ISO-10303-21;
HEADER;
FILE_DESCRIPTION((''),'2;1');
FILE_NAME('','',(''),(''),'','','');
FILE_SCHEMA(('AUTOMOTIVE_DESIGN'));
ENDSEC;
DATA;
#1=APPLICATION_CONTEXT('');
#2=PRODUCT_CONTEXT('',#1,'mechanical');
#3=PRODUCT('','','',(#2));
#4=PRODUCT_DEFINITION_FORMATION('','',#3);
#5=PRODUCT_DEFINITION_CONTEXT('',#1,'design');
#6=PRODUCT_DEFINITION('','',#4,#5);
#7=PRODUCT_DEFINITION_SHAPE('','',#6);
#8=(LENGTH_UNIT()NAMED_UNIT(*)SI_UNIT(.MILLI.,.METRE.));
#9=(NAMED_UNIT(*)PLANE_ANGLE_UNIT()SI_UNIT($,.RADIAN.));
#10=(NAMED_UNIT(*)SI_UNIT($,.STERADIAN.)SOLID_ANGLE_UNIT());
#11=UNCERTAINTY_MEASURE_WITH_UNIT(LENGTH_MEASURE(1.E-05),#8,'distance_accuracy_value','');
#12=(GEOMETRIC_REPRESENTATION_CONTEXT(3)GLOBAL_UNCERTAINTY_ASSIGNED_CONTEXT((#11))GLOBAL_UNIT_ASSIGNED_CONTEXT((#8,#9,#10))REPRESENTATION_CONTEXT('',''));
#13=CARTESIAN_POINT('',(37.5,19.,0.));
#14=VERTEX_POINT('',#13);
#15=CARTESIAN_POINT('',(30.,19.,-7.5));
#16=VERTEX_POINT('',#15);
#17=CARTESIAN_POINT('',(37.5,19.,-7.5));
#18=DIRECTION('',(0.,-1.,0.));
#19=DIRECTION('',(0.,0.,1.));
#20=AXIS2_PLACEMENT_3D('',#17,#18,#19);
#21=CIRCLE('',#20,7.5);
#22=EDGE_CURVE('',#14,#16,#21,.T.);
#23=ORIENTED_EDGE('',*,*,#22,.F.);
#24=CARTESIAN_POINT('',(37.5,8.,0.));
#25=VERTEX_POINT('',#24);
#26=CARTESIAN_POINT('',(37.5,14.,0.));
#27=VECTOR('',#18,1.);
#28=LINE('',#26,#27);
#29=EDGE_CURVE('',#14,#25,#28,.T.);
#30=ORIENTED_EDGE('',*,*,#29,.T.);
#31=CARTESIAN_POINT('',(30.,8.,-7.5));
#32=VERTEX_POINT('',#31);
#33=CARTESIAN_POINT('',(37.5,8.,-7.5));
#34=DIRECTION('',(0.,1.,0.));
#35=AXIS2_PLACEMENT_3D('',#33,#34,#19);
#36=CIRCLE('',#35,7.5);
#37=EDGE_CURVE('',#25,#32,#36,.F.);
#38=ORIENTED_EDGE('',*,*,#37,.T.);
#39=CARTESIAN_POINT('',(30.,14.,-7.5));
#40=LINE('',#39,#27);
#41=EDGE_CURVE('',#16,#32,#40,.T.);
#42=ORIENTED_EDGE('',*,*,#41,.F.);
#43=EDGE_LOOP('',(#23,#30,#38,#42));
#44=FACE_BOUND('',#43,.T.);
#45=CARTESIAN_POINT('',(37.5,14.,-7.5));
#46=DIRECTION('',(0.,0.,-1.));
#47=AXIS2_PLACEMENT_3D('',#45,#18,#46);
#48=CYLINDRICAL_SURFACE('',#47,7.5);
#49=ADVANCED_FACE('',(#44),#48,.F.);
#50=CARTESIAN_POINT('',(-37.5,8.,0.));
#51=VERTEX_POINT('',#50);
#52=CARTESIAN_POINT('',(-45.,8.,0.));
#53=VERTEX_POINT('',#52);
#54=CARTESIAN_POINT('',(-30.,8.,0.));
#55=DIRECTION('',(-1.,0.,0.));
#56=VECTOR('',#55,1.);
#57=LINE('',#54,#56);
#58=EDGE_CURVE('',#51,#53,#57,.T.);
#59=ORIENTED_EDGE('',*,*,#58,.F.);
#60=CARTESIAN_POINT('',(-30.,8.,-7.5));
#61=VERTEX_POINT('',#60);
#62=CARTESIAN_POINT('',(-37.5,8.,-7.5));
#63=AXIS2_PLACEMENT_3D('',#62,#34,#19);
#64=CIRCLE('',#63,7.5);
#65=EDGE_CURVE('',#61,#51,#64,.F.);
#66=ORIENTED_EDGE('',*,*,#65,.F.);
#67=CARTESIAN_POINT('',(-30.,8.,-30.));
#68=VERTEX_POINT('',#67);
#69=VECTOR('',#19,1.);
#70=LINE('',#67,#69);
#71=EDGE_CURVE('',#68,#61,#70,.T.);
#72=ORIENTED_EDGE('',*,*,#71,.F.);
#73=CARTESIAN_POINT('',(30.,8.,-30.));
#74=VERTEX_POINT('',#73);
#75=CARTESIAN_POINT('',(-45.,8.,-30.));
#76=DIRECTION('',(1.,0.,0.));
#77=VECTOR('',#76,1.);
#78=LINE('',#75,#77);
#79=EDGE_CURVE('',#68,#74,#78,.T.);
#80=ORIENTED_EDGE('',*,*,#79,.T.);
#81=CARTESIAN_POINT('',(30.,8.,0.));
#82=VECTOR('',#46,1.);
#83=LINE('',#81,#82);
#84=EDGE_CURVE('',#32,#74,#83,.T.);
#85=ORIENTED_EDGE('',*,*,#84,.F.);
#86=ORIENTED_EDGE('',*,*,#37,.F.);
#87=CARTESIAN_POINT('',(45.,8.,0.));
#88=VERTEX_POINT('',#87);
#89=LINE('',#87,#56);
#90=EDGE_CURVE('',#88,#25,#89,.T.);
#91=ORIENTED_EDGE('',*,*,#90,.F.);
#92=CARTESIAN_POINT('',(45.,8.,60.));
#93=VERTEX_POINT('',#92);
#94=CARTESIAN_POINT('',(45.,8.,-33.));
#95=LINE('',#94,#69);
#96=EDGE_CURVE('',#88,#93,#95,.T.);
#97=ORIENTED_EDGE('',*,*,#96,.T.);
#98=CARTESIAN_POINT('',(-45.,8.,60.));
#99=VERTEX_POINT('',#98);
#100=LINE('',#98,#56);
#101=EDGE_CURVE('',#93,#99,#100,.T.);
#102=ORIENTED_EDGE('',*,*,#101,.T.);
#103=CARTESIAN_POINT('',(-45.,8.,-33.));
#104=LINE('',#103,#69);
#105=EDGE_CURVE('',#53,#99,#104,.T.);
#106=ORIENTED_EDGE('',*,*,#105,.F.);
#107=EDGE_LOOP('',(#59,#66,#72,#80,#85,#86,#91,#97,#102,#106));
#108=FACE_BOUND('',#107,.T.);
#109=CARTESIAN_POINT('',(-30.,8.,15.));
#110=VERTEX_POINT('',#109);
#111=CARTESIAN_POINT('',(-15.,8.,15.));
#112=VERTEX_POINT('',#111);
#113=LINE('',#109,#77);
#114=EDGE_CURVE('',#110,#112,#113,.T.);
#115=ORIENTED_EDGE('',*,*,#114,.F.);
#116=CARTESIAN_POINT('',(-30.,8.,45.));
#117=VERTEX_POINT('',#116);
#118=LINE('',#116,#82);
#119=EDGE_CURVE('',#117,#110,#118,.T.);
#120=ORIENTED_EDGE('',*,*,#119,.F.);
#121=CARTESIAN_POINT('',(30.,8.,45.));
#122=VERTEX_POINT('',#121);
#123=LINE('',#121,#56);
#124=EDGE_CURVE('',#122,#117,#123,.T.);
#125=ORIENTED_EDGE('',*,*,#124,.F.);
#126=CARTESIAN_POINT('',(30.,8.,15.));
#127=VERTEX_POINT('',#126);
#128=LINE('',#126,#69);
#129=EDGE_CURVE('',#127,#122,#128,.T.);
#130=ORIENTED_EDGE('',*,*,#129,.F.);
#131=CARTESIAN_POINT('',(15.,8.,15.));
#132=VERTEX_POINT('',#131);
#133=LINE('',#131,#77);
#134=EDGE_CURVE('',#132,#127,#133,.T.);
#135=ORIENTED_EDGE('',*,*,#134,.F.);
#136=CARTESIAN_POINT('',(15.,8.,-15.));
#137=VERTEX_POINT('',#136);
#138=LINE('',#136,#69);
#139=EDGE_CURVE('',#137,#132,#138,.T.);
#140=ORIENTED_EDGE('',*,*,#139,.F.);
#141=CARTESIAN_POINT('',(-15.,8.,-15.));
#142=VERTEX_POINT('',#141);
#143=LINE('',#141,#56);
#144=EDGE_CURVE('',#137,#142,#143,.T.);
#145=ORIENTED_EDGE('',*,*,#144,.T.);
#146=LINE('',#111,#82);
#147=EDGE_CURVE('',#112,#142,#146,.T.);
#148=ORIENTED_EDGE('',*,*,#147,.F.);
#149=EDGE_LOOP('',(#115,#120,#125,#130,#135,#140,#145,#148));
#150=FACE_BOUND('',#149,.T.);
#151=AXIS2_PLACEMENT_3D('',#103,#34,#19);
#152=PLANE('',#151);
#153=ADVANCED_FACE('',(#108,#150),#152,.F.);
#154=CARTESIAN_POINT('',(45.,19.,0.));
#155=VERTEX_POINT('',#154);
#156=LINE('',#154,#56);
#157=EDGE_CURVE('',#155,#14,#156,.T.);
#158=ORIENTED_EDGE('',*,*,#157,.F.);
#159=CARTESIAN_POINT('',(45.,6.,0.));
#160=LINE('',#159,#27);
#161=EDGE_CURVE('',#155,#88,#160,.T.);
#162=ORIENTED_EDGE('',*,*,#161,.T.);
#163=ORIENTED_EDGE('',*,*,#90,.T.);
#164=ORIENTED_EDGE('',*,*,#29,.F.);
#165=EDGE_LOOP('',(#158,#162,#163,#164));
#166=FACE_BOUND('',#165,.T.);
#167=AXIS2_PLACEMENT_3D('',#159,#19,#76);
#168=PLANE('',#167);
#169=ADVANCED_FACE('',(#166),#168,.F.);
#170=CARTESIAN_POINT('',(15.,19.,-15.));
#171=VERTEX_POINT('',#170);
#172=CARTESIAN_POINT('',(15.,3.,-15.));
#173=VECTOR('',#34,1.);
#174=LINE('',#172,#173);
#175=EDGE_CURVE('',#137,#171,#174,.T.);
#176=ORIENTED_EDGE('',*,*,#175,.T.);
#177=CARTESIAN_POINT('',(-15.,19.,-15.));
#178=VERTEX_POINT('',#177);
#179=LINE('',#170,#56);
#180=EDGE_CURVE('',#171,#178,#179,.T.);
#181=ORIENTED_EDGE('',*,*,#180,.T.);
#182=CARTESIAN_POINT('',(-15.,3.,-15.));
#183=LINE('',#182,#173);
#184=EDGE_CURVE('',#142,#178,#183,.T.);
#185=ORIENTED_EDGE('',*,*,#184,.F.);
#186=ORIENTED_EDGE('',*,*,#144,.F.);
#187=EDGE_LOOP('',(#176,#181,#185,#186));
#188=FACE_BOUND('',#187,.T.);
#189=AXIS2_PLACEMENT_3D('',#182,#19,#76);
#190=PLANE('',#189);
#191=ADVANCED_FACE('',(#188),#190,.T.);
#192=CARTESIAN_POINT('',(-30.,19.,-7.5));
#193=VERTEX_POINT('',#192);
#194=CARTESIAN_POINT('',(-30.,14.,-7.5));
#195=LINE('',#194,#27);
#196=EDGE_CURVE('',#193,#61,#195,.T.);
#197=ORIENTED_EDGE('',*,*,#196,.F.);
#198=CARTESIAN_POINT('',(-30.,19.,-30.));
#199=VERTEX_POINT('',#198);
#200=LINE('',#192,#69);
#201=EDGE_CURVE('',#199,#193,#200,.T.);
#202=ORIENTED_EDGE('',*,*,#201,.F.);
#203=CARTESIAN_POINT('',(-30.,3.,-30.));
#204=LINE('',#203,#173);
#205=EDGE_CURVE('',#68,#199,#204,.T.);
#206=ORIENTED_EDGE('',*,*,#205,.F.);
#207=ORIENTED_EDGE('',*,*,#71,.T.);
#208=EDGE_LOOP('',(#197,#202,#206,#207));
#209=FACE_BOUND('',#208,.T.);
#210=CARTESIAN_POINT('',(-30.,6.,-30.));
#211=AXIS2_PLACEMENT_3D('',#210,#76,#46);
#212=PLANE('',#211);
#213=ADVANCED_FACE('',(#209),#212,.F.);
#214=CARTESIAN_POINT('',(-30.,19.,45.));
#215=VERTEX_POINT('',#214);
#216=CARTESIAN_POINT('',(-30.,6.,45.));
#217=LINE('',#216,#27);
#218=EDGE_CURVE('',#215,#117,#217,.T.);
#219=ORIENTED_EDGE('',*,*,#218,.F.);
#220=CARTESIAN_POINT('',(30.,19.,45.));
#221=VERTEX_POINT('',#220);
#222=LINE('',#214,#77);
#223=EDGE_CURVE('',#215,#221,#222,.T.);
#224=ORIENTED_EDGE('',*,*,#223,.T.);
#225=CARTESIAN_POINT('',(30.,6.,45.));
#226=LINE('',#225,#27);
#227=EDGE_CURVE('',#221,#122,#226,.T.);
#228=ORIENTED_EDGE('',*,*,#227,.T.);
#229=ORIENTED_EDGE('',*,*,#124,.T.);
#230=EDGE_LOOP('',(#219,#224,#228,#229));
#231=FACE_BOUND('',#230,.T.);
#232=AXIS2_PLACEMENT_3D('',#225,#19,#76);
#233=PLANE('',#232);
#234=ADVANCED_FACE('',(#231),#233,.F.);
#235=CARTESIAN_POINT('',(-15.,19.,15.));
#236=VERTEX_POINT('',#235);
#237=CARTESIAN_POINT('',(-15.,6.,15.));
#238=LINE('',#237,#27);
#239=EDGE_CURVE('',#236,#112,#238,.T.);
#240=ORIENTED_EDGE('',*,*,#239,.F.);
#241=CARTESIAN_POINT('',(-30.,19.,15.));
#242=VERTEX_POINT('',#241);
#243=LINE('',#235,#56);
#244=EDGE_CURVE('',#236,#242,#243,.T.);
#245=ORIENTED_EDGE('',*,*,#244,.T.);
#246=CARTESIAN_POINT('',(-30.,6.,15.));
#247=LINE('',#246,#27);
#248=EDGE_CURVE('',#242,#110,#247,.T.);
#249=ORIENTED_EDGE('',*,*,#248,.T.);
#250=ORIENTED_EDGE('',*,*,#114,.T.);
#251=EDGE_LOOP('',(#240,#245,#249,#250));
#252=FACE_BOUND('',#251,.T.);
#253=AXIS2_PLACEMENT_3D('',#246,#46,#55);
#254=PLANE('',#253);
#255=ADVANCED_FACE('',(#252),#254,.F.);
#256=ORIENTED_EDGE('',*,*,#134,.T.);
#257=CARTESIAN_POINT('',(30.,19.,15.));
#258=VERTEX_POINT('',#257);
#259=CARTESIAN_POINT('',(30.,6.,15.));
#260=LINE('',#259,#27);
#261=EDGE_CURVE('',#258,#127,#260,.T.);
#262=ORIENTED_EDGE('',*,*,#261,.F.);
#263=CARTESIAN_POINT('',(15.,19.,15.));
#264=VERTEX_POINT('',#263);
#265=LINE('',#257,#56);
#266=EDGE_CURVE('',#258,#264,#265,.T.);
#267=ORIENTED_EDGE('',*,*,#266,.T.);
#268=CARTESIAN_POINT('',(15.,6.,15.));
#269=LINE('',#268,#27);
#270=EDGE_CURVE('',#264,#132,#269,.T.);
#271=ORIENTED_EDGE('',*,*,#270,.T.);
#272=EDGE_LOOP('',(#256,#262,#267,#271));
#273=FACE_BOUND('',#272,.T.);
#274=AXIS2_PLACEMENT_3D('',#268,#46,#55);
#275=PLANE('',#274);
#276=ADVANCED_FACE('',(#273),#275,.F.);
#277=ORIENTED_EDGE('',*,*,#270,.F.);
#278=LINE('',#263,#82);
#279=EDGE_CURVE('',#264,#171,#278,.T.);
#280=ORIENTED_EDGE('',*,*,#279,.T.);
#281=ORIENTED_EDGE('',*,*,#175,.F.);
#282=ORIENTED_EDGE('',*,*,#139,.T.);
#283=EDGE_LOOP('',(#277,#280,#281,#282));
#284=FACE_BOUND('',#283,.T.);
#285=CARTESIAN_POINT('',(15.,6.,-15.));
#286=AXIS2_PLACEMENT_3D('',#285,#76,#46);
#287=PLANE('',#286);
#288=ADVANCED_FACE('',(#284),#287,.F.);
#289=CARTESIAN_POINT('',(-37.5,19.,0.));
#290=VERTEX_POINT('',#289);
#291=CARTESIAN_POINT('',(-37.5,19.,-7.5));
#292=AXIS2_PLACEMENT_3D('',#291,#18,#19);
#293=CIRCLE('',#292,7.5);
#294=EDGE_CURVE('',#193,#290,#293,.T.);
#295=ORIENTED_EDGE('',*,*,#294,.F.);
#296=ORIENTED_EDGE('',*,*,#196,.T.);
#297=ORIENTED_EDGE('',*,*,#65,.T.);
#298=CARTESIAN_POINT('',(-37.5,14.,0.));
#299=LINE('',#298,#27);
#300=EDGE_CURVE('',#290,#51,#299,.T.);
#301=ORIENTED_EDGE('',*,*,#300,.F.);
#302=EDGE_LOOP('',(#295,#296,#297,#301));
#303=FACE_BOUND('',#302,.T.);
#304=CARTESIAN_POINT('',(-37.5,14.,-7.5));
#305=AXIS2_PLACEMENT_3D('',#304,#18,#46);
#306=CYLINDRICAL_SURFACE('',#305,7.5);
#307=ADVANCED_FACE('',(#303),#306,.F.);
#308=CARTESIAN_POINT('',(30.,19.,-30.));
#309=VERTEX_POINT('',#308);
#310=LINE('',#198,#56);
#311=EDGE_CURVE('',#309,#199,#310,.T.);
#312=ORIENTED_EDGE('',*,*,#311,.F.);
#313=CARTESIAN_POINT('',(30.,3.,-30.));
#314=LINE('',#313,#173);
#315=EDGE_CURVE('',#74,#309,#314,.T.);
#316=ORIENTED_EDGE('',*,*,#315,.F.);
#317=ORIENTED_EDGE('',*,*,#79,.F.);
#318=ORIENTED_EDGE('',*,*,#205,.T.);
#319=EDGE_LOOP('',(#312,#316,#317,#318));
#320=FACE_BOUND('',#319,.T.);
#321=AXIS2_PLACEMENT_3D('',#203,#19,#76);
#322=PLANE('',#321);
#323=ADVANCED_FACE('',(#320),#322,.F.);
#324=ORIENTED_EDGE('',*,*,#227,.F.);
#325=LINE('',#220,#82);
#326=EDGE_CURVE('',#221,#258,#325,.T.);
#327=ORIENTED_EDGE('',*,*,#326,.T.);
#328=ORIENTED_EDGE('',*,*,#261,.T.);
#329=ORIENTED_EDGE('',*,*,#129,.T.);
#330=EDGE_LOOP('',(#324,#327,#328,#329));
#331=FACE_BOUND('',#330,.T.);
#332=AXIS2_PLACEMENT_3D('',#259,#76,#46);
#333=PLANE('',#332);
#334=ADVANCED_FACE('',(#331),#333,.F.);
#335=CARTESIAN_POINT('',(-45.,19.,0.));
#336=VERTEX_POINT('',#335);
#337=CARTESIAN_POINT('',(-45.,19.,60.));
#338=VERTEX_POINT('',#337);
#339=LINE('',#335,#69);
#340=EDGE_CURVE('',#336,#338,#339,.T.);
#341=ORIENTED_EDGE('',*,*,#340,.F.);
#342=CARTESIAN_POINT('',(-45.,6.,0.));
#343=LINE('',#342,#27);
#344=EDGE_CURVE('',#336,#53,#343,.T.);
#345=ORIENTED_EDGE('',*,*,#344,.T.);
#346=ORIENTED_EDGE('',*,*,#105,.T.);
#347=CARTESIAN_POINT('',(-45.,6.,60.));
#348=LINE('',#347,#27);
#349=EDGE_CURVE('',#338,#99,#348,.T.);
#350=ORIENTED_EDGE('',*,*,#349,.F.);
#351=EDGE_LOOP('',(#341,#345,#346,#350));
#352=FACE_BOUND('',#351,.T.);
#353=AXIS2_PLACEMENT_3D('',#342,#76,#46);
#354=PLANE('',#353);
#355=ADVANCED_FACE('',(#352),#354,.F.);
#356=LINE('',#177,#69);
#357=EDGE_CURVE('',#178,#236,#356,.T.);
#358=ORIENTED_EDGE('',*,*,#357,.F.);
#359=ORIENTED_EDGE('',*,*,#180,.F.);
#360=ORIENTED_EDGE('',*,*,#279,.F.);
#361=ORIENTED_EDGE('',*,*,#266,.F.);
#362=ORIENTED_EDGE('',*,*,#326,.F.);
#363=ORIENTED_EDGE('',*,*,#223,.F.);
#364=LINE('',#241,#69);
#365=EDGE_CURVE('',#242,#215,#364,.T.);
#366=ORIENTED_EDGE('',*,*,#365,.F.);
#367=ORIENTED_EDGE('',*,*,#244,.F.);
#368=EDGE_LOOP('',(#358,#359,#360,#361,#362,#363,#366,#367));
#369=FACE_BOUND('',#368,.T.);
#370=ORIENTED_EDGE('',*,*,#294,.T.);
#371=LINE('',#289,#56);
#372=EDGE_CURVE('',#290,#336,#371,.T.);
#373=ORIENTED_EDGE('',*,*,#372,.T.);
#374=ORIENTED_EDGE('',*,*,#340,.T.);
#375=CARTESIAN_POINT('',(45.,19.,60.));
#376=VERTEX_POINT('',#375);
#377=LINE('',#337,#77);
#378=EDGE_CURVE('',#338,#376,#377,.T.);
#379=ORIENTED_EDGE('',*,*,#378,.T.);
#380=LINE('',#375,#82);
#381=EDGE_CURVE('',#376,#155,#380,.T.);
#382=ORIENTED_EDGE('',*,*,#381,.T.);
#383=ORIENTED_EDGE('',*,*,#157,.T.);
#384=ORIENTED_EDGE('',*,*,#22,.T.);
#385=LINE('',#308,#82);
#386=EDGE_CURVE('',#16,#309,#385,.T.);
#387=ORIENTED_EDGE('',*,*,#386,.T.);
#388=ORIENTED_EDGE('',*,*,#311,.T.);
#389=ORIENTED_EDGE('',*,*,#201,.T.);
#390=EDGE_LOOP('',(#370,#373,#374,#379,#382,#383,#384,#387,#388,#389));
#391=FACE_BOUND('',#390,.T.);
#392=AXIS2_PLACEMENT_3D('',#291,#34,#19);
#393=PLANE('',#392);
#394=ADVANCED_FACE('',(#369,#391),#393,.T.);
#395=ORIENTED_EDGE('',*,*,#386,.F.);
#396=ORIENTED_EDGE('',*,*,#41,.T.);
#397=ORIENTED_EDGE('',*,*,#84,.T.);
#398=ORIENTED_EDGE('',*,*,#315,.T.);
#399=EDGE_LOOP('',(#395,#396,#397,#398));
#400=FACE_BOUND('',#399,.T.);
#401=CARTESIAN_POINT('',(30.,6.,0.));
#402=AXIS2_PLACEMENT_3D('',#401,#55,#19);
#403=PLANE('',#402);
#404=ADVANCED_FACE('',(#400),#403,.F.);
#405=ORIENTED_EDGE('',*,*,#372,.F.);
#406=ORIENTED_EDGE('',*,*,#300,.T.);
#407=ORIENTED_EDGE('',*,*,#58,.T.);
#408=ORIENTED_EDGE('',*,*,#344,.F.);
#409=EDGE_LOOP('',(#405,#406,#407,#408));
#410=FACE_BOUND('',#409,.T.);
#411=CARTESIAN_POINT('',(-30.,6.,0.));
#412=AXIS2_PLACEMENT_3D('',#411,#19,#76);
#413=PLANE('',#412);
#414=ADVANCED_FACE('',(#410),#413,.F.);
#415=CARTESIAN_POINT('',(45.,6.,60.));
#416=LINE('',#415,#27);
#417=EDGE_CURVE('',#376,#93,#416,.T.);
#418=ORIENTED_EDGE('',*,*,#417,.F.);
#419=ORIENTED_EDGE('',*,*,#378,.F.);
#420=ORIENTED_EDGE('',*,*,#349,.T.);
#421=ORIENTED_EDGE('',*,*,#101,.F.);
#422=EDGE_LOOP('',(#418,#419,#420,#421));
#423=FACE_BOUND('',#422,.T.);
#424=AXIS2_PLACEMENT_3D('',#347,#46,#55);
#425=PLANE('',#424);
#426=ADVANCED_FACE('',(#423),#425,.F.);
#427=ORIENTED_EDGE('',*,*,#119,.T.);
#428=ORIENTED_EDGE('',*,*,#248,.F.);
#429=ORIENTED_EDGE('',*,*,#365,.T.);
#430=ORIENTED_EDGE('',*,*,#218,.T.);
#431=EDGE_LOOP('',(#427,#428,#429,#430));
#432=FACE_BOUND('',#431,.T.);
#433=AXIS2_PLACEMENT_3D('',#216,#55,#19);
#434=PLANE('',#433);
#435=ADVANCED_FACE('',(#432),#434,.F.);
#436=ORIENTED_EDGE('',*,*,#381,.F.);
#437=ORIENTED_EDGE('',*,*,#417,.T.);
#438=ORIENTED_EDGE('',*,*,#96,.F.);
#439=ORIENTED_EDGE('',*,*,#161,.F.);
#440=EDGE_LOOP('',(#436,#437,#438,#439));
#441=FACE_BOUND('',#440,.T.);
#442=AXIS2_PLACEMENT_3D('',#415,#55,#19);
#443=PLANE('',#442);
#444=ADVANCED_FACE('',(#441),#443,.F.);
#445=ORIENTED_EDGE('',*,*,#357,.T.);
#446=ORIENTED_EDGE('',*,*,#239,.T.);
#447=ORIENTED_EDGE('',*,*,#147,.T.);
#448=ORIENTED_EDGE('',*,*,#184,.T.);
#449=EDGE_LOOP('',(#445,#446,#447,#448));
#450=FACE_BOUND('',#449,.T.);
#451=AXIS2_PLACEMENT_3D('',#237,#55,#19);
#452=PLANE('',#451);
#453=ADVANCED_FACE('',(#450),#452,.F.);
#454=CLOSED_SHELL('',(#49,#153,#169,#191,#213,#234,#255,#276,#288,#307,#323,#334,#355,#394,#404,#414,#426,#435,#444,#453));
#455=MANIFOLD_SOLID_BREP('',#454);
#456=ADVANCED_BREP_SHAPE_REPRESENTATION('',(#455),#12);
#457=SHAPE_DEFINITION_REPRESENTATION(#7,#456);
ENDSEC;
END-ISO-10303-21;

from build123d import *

# Parameters (mm, degrees)
CROQUIS1_W                = 30
CROQUIS1_H                = 30
SALIENTE_EXTRUIR1_DEPTH   = 3
CROQUIS2_W                = 15
CROQUIS2_H                = 30
SALIENTE_EXTRUIR3_DEPTH   = 3
SALIENTE_EXTRUIR3_2_DEPTH = 3
CROQUIS3_W                = 30
CROQUIS3_H                = 30
SALIENTE_EXTRUIR4_DEPTH   = 3
SALIENTE_EXTRUIR5_DEPTH   = 3
CORTAR_EXTRUIR1_DEPTH     = 6
SALIENTE_EXTRUIR8_DEPTH   = 11
CROQUIS7_W                = 30
CROQUIS7_H                = 3.175
CORTAR_EXTRUIR3_DEPTH     = 18.542
CROQUIS9_W                = 60
CROQUIS9_H                = 0.175
SALIENTE_EXTRUIR9_DEPTH   = 11
CROQUIS10_W               = 90
CROQUIS10_H               = 5
CORTAR_EXTRUIR5_DEPTH     = 93
CROQUIS11_W               = 30
CROQUIS11_H               = 3.175
SALIENTE_EXTRUIR10_DEPTH  = 11
CROQUIS12_W               = 60
CROQUIS12_H               = 0.175
CORTAR_EXTRUIR6_DEPTH     = 11
CROQUIS13_W               = 30
CROQUIS13_H               = 5
CORTAR_EXTRUIR7_DEPTH     = 10
SALIENTE_EXTRUIR11_DEPTH  = 5


with BuildPart() as part:
    # Croquis1 → Saliente-Extruir1 (new body)
    with BuildSketch(Plane(origin=(0, 0, 0), x_dir=(1, 0, 0), z_dir=(0, 1, 0))):
        Rectangle(CROQUIS1_W, CROQUIS1_H)
    extrude(amount=SALIENTE_EXTRUIR1_DEPTH)



with BuildPart() as body_2:
    # Croquis2 → Saliente-Extruir3 (new body)
    with BuildSketch(Plane(origin=(0, 3, 0), x_dir=(1, 0, 0), z_dir=(0, 1, 0))):
        with Locations((-22.5, -30)):
            Rectangle(CROQUIS2_W, CROQUIS2_H)
    extrude(amount=-SALIENTE_EXTRUIR3_DEPTH)


with BuildPart() as body_3:
    # Croquis2 → Saliente-Extruir3 2 (new body)
    with BuildSketch(Plane(origin=(0, 3, 0), x_dir=(1, 0, 0), z_dir=(0, 1, 0))):
        with Locations((22.5, -30)):
            Rectangle(CROQUIS2_W, CROQUIS2_H)
    extrude(amount=-SALIENTE_EXTRUIR3_2_DEPTH)


with BuildPart() as part_1:
    add(part.part)

    add(body_2.part)  # Saliente-Extruir4 merges body 2

    add(body_3.part)  # Saliente-Extruir4 merges body 3
    # Croquis3 → Saliente-Extruir4 (add)
    with BuildSketch(Plane(origin=(0, 3, 0), x_dir=(1, 0, 0), z_dir=(0, 1, 0))):
        with Locations((0, -30)):
            Rectangle(CROQUIS3_W, CROQUIS3_H)
    extrude(amount=-SALIENTE_EXTRUIR4_DEPTH)

    # Croquis4 → Saliente-Extruir5 (add)
    with BuildSketch(Plane(origin=(0, 3, 0), x_dir=(1, 0, 0), z_dir=(0, 1, 0))):
        Polygon((-30, 0), (-45, 0), (-45, -60), (45, -60), (45, 0), (30, 0), (30, 30), (-30, 30), align=None)
    extrude(amount=SALIENTE_EXTRUIR5_DEPTH)

    # Croquis5 → Cortar-Extruir1 (cut)
    with BuildSketch(Plane(origin=(0, 0, 0), x_dir=(-1, 0, 0), z_dir=(0, -1, 0))):
        Polygon((30, -45), (30, -15), (15, -15), (15, 15), (-15, 15), (-15, -15), (-30, -15), (-30, -45), align=None)
    extrude(amount=-CORTAR_EXTRUIR1_DEPTH, mode=Mode.SUBTRACT)

    # Croquis6 → Saliente-Extruir8 (add)
    with BuildSketch(Plane(origin=(0, 3, 0), x_dir=(-1, 0, 0), z_dir=(0, -1, 0))):
        with BuildLine():
            Line((37.5, 0), (45, 0))
            Line((45, 0), (45, -60))
            Line((45, -60), (-45, -60))
            Line((-45, -60), (-45, 0))
            Line((-45, 0), (-37.5, 0))
            ThreePointArc((-37.5, 0), (-32.196699141, 2.196699141), (-30, 7.5))
            Line((-30, 7.5), (-30, 30))
            Line((-30, 30), (30, 30))
            Line((30, 30), (30, 7.5))
            ThreePointArc((30, 7.5), (32.196699141, 2.196699141), (37.5, 0))
        make_face()
        Polygon((15, 15), (15, -15), (30, -15), (30, -45), (-30, -45), (-30, -15), (-15, -15), (-15, 15), align=None, mode=Mode.SUBTRACT)
    extrude(amount=-SALIENTE_EXTRUIR8_DEPTH)

    # Croquis7 → Cortar-Extruir3 (cut)
    with BuildSketch(Plane(origin=(0, 14, 0), x_dir=(1, 0, 0), z_dir=(0, 1, 0))):
        with Locations((0, 16.5875)):
            Rectangle(CROQUIS7_W, CROQUIS7_H)
    extrude(amount=-CORTAR_EXTRUIR3_DEPTH, mode=Mode.SUBTRACT)

    # Croquis9 → Saliente-Extruir9 (add)
    with BuildSketch(Plane(origin=(0, 14, 0), x_dir=(1, 0, 0), z_dir=(0, 1, 0))):
        with Locations((0, 30.0875)):
            Rectangle(CROQUIS9_W, CROQUIS9_H)
    extrude(amount=-SALIENTE_EXTRUIR9_DEPTH)

    # Croquis10 → Cortar-Extruir5 (cut)
    with BuildSketch(Plane.XY.offset(60)):
        with Locations((0, 5.5)):
            Rectangle(CROQUIS10_W, CROQUIS10_H)
    extrude(amount=-CORTAR_EXTRUIR5_DEPTH, mode=Mode.SUBTRACT)

    # Croquis11 → Saliente-Extruir10 (add)
    with BuildSketch(Plane(origin=(0, 14, 0), x_dir=(1, 0, 0), z_dir=(0, 1, 0))):
        with Locations((0, 16.5875)):
            Rectangle(CROQUIS11_W, CROQUIS11_H)
    extrude(amount=-SALIENTE_EXTRUIR10_DEPTH)

    # Croquis12 → Cortar-Extruir6 (cut)
    with BuildSketch(Plane(origin=(0, 14, 0), x_dir=(1, 0, 0), z_dir=(0, 1, 0))):
        with Locations((0, 30.0875)):
            Rectangle(CROQUIS12_W, CROQUIS12_H)
    extrude(amount=-CORTAR_EXTRUIR6_DEPTH, mode=Mode.SUBTRACT)

    # Croquis13 → Cortar-Extruir7 (cut)
    with BuildSketch(Plane.XY.offset(-15)):
        with Locations((0, 5.5)):
            Rectangle(CROQUIS13_W, CROQUIS13_H)
    extrude(amount=-CORTAR_EXTRUIR7_DEPTH, mode=Mode.SUBTRACT)

    # Croquis14 → Saliente-Extruir11 (add)
    with BuildSketch(Plane(origin=(0, 14, 0), x_dir=(1, 0, 0), z_dir=(0, 1, 0))):
        with BuildLine():
            Line((-37.5, 0), (-45, 0))
            Line((-45, 0), (-45, -60))
            Line((-45, -60), (45, -60))
            Line((45, -60), (45, 0))
            Line((45, 0), (37.5, 0))
            ThreePointArc((37.5, 0), (32.196699141, 2.196699141), (30, 7.5))
            Line((30, 7.5), (30, 30))
            Line((30, 30), (-30, 30))
            Line((-30, 30), (-30, 7.5))
            ThreePointArc((-30, 7.5), (-32.196699141, 2.196699141), (-37.5, 0))
        make_face()
        Polygon((-15, 15), (-15, -15), (-30, -15), (-30, -45), (30, -45), (30, -15), (15, -15), (15, 15), align=None, mode=Mode.SUBTRACT)
    extrude(amount=SALIENTE_EXTRUIR11_DEPTH)


solid = part_1.part
